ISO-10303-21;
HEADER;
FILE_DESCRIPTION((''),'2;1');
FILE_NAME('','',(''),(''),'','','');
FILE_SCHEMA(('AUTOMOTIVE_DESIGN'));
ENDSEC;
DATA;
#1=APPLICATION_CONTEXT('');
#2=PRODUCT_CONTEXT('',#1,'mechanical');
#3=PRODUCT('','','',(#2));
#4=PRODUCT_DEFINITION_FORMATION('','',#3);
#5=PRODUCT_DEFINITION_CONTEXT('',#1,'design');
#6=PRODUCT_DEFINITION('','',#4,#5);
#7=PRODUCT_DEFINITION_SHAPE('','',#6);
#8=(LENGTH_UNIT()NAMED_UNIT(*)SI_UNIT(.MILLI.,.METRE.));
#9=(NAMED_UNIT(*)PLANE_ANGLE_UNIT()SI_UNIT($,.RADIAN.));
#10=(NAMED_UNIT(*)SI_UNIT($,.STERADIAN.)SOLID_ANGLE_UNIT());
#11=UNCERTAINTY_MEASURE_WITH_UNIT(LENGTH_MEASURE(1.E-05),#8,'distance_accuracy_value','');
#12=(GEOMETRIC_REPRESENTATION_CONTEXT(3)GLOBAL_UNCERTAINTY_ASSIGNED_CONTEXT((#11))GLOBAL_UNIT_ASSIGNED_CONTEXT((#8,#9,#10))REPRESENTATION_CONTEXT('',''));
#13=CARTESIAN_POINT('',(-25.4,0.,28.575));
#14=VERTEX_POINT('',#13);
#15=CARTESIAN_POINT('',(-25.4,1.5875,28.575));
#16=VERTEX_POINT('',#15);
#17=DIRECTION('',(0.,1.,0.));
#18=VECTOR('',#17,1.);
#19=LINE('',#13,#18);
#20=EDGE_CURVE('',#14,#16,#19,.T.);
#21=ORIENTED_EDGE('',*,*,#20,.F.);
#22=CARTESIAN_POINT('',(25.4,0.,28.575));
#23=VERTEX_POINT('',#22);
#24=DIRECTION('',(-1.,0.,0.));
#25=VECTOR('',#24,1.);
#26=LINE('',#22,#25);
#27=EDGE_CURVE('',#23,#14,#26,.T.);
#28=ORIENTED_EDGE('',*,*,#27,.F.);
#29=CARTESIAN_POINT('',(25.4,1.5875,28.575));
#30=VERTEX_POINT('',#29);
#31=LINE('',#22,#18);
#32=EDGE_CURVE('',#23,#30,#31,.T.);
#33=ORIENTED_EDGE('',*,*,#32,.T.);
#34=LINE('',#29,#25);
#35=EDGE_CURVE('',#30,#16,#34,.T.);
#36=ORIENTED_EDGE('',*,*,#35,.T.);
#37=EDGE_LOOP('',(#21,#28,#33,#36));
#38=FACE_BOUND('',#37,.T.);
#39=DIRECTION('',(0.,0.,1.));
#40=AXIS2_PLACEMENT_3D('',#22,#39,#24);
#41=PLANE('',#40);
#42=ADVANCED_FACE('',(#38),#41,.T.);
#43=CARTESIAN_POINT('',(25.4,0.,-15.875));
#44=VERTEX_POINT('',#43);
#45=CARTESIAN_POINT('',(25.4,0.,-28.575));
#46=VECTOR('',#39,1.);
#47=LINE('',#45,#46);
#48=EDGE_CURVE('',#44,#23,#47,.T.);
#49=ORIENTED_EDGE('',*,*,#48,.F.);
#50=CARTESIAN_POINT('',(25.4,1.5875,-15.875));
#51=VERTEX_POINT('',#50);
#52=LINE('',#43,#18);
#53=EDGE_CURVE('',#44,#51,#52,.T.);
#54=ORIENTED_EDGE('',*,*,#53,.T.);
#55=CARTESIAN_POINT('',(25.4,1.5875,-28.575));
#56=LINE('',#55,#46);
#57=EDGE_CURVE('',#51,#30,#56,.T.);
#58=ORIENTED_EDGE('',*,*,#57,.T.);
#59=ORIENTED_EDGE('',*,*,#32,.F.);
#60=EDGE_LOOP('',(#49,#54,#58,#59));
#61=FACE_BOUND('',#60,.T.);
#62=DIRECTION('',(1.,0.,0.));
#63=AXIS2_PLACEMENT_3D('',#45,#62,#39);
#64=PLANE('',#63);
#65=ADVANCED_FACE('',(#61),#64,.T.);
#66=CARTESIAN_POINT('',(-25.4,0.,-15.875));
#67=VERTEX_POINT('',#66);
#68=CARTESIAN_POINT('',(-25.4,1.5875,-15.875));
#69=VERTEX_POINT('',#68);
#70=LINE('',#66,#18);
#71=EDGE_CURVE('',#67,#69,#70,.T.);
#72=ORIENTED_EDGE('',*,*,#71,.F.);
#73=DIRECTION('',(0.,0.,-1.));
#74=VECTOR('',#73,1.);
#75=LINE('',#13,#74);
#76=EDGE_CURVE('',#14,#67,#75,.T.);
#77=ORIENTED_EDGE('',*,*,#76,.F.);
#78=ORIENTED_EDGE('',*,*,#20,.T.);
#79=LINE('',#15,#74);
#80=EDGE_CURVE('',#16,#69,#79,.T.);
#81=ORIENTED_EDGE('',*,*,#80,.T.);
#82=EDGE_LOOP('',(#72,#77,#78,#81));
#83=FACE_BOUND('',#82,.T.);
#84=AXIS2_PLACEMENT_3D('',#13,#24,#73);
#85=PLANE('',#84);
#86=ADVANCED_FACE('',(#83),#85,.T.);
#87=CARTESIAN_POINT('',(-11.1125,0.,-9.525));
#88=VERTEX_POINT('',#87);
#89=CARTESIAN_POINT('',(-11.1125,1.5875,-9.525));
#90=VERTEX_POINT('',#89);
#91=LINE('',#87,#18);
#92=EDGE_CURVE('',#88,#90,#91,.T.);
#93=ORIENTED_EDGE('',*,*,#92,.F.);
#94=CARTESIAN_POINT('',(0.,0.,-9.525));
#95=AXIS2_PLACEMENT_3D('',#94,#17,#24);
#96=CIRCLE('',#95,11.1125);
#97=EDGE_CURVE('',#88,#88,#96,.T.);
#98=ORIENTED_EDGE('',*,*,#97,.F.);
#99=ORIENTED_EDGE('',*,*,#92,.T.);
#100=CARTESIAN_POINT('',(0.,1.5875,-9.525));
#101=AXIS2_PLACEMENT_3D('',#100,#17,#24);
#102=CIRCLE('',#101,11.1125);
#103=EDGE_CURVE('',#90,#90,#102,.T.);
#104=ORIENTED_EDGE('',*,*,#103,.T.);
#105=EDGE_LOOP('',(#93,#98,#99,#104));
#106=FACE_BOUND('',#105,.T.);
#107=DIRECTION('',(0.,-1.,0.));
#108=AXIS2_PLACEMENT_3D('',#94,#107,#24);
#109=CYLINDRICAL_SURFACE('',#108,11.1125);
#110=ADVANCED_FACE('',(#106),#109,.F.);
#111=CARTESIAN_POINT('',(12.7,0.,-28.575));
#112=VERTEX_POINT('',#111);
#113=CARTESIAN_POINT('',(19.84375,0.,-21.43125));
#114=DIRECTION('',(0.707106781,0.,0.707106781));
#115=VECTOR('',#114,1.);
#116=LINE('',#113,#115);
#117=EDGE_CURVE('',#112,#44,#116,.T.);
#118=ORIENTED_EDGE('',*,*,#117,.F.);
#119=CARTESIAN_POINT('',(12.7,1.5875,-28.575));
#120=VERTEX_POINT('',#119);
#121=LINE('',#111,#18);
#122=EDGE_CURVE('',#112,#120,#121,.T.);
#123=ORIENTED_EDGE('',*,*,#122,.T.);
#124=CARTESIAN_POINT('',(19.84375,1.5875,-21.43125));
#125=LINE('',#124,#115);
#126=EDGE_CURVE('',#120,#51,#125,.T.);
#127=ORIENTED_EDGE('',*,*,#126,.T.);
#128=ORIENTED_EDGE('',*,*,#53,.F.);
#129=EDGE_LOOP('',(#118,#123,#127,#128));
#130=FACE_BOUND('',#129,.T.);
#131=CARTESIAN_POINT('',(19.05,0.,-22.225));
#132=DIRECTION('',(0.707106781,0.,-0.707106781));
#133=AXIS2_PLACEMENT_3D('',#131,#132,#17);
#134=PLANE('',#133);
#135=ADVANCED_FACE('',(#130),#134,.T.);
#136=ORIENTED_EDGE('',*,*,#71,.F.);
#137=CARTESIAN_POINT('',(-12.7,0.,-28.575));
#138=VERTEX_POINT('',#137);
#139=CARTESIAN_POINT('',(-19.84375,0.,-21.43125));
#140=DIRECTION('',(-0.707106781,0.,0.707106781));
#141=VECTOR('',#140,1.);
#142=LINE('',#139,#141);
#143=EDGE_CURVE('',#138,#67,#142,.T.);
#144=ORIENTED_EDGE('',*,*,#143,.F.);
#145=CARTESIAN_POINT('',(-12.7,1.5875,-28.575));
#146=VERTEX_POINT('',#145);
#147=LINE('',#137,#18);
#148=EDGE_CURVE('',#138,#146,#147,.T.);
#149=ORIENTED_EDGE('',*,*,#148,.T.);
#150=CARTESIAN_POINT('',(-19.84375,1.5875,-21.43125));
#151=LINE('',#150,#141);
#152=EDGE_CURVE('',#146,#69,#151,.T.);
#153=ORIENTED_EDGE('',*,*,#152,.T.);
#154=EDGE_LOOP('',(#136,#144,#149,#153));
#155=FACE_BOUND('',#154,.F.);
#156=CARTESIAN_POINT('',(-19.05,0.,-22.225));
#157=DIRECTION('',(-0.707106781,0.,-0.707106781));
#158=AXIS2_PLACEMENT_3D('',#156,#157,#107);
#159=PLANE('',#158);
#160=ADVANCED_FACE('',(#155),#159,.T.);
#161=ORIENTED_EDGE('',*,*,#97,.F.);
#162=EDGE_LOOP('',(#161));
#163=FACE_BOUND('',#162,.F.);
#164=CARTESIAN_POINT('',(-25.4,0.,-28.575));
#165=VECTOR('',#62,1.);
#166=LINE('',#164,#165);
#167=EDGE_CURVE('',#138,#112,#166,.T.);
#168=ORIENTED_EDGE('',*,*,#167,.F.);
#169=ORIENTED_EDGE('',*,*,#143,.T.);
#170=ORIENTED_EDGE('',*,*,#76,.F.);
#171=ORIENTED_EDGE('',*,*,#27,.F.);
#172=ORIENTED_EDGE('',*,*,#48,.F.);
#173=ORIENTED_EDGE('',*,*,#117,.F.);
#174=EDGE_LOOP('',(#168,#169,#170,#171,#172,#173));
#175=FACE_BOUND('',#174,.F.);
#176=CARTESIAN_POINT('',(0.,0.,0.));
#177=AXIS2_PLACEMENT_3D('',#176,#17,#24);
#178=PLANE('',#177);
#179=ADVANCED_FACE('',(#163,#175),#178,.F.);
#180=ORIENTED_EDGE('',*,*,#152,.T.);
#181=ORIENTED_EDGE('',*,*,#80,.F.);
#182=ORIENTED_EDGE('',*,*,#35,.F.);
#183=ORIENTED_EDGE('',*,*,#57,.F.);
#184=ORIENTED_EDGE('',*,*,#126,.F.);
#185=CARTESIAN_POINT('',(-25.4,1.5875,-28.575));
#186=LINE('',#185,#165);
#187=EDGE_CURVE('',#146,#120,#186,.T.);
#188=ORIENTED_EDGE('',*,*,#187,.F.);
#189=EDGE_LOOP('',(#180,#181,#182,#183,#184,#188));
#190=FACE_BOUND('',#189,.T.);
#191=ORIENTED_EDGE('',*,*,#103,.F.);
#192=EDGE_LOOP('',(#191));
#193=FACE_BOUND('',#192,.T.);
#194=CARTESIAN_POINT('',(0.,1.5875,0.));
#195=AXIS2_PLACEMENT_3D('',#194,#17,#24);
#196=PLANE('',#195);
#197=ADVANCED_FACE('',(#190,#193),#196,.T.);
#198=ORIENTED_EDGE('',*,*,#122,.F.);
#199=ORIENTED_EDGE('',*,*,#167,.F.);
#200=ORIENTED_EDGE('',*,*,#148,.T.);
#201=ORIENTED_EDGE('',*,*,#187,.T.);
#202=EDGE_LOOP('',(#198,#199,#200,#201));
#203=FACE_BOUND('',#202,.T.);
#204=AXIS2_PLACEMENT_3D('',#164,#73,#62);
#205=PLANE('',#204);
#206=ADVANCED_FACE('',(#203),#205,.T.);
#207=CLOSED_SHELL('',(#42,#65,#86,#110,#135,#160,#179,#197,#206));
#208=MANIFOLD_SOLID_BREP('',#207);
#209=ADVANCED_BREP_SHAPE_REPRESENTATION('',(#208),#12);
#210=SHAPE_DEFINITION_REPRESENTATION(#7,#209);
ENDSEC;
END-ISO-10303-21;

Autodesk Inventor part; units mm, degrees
ref_plane "YZ Plane" through (0, 0, 0) normal (1, 0, 0) x (0, 1, 0)
ref_plane "XZ Plane" through (0, 0, 0) normal (0, 1, 0) x (-1, 0, 0)
ref_plane "XY Plane" through (0, 0, 0) normal (0, 0, 1) x (1, 0, 0)
sketch "Sketch1" plane through (0, 0, 0) normal (0, 1, 0) x (-1, 0, 0)
  line L0 (0, -40.005) -> (0, 40.005) construction
  line L1 (35.56, 0) -> (-35.56, 0) construction
  line L2 (25.4, -28.575) -> (-25.4, -28.575)
  line L3 (-25.4, -28.575) -> (-25.4, 28.575)
  line L4 (-25.4, 28.575) -> (25.4, 28.575)
  line L5 (25.4, 28.575) -> (25.4, -28.575)
  circle A0 centre (0, -9.525) radius 11.1125
  line L6 (25.4, 3.175) -> (-25.4, 3.175) construction
  circle A1 centre (0, -9.525) radius 12.7 construction
  point P0 (0, 0)
  point P1 (0, 28.575)
  point P2 (25.4, 0)
  dimension "d0" = 25.4
  dimension "d1" = 22.225
  dimension "d2" = 25.4
  dimension "d3" = 57.15
  dimension "d4" = 50.8
extrude "Extrusion1" add sketch "Sketch1" along normal blind 1.5875
chamfer "Chamfer1" distance 12.7 angle 45 2 edges at (-25.4, 0.7937, -28.575) (25.4, 0.7937, -28.575)
properties part number "Crossbeam Bearing Mount" material "Aluminum 6061"
